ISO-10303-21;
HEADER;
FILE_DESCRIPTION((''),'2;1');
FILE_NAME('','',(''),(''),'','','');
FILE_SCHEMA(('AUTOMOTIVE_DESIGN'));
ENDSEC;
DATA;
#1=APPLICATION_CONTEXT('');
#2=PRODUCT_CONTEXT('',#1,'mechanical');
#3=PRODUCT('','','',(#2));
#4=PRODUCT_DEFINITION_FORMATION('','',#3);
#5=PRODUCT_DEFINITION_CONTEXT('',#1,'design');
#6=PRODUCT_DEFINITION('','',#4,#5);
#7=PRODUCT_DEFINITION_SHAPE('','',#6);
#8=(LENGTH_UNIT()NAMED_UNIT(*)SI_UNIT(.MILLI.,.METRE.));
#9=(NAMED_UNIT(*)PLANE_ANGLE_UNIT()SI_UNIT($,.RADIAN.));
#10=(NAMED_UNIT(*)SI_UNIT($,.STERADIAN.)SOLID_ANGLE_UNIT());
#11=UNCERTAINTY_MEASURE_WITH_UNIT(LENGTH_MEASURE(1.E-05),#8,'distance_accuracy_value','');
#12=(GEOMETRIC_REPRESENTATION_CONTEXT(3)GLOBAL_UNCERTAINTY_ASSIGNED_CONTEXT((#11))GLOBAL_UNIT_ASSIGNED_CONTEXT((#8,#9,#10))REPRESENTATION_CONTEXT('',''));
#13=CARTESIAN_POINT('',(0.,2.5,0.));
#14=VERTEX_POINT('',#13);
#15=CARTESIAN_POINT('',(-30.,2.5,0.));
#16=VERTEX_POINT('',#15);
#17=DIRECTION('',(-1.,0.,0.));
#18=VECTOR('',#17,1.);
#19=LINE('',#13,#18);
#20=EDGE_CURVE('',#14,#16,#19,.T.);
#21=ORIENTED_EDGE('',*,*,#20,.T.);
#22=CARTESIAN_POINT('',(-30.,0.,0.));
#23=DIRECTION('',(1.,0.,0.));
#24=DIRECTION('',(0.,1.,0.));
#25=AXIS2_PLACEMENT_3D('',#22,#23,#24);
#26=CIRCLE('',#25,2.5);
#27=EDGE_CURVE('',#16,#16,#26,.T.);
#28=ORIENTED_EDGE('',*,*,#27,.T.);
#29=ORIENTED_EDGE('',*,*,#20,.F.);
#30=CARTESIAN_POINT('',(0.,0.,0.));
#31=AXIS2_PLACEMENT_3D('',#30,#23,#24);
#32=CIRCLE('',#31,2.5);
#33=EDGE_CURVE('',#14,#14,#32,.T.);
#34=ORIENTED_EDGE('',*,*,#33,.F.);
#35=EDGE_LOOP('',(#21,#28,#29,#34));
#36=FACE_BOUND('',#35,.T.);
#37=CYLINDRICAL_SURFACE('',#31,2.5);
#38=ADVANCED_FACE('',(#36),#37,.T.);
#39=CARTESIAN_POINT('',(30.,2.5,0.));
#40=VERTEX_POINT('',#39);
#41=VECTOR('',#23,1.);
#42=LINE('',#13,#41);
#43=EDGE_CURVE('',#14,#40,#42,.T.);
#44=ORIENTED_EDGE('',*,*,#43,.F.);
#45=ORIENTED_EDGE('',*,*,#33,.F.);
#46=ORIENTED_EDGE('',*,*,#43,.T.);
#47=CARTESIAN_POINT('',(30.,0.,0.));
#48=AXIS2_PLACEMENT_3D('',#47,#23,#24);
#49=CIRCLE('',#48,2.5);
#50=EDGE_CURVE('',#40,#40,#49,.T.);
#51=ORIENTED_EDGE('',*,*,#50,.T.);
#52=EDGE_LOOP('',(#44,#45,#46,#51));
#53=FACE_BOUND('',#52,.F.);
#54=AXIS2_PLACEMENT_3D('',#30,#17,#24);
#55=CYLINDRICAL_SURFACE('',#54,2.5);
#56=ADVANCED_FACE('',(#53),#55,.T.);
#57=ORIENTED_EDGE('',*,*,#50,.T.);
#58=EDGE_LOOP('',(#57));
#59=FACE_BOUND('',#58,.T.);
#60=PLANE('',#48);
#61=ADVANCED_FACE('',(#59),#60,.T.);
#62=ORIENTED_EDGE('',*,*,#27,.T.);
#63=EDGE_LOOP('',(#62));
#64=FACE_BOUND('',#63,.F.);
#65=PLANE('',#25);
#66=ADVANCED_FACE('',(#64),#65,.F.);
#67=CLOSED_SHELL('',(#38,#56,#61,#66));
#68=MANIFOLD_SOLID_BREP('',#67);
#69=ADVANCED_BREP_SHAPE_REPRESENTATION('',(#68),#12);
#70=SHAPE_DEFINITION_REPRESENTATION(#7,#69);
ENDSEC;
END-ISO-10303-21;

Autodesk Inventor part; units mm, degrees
ref_plane "YZ Plane" through (0, 0, 0) normal (1, 0, 0) x (0, 1, 0)
ref_plane "XZ Plane" through (0, 0, 0) normal (0, 1, 0) x (-1, 0, 0)
ref_plane "XY Plane" through (0, 0, 0) normal (0, 0, 1) x (1, 0, 0)
sketch "Sketch1" plane through (0, 0, 0) normal (1, 0, 0) x (0, 1, 0)
  circle A0 centre (0, 0) radius 2.5
  dimension "d0" = 5
extrude "Extrusion1" add sketch "Sketch1" along normal mid plane 60
properties part number "pin"
